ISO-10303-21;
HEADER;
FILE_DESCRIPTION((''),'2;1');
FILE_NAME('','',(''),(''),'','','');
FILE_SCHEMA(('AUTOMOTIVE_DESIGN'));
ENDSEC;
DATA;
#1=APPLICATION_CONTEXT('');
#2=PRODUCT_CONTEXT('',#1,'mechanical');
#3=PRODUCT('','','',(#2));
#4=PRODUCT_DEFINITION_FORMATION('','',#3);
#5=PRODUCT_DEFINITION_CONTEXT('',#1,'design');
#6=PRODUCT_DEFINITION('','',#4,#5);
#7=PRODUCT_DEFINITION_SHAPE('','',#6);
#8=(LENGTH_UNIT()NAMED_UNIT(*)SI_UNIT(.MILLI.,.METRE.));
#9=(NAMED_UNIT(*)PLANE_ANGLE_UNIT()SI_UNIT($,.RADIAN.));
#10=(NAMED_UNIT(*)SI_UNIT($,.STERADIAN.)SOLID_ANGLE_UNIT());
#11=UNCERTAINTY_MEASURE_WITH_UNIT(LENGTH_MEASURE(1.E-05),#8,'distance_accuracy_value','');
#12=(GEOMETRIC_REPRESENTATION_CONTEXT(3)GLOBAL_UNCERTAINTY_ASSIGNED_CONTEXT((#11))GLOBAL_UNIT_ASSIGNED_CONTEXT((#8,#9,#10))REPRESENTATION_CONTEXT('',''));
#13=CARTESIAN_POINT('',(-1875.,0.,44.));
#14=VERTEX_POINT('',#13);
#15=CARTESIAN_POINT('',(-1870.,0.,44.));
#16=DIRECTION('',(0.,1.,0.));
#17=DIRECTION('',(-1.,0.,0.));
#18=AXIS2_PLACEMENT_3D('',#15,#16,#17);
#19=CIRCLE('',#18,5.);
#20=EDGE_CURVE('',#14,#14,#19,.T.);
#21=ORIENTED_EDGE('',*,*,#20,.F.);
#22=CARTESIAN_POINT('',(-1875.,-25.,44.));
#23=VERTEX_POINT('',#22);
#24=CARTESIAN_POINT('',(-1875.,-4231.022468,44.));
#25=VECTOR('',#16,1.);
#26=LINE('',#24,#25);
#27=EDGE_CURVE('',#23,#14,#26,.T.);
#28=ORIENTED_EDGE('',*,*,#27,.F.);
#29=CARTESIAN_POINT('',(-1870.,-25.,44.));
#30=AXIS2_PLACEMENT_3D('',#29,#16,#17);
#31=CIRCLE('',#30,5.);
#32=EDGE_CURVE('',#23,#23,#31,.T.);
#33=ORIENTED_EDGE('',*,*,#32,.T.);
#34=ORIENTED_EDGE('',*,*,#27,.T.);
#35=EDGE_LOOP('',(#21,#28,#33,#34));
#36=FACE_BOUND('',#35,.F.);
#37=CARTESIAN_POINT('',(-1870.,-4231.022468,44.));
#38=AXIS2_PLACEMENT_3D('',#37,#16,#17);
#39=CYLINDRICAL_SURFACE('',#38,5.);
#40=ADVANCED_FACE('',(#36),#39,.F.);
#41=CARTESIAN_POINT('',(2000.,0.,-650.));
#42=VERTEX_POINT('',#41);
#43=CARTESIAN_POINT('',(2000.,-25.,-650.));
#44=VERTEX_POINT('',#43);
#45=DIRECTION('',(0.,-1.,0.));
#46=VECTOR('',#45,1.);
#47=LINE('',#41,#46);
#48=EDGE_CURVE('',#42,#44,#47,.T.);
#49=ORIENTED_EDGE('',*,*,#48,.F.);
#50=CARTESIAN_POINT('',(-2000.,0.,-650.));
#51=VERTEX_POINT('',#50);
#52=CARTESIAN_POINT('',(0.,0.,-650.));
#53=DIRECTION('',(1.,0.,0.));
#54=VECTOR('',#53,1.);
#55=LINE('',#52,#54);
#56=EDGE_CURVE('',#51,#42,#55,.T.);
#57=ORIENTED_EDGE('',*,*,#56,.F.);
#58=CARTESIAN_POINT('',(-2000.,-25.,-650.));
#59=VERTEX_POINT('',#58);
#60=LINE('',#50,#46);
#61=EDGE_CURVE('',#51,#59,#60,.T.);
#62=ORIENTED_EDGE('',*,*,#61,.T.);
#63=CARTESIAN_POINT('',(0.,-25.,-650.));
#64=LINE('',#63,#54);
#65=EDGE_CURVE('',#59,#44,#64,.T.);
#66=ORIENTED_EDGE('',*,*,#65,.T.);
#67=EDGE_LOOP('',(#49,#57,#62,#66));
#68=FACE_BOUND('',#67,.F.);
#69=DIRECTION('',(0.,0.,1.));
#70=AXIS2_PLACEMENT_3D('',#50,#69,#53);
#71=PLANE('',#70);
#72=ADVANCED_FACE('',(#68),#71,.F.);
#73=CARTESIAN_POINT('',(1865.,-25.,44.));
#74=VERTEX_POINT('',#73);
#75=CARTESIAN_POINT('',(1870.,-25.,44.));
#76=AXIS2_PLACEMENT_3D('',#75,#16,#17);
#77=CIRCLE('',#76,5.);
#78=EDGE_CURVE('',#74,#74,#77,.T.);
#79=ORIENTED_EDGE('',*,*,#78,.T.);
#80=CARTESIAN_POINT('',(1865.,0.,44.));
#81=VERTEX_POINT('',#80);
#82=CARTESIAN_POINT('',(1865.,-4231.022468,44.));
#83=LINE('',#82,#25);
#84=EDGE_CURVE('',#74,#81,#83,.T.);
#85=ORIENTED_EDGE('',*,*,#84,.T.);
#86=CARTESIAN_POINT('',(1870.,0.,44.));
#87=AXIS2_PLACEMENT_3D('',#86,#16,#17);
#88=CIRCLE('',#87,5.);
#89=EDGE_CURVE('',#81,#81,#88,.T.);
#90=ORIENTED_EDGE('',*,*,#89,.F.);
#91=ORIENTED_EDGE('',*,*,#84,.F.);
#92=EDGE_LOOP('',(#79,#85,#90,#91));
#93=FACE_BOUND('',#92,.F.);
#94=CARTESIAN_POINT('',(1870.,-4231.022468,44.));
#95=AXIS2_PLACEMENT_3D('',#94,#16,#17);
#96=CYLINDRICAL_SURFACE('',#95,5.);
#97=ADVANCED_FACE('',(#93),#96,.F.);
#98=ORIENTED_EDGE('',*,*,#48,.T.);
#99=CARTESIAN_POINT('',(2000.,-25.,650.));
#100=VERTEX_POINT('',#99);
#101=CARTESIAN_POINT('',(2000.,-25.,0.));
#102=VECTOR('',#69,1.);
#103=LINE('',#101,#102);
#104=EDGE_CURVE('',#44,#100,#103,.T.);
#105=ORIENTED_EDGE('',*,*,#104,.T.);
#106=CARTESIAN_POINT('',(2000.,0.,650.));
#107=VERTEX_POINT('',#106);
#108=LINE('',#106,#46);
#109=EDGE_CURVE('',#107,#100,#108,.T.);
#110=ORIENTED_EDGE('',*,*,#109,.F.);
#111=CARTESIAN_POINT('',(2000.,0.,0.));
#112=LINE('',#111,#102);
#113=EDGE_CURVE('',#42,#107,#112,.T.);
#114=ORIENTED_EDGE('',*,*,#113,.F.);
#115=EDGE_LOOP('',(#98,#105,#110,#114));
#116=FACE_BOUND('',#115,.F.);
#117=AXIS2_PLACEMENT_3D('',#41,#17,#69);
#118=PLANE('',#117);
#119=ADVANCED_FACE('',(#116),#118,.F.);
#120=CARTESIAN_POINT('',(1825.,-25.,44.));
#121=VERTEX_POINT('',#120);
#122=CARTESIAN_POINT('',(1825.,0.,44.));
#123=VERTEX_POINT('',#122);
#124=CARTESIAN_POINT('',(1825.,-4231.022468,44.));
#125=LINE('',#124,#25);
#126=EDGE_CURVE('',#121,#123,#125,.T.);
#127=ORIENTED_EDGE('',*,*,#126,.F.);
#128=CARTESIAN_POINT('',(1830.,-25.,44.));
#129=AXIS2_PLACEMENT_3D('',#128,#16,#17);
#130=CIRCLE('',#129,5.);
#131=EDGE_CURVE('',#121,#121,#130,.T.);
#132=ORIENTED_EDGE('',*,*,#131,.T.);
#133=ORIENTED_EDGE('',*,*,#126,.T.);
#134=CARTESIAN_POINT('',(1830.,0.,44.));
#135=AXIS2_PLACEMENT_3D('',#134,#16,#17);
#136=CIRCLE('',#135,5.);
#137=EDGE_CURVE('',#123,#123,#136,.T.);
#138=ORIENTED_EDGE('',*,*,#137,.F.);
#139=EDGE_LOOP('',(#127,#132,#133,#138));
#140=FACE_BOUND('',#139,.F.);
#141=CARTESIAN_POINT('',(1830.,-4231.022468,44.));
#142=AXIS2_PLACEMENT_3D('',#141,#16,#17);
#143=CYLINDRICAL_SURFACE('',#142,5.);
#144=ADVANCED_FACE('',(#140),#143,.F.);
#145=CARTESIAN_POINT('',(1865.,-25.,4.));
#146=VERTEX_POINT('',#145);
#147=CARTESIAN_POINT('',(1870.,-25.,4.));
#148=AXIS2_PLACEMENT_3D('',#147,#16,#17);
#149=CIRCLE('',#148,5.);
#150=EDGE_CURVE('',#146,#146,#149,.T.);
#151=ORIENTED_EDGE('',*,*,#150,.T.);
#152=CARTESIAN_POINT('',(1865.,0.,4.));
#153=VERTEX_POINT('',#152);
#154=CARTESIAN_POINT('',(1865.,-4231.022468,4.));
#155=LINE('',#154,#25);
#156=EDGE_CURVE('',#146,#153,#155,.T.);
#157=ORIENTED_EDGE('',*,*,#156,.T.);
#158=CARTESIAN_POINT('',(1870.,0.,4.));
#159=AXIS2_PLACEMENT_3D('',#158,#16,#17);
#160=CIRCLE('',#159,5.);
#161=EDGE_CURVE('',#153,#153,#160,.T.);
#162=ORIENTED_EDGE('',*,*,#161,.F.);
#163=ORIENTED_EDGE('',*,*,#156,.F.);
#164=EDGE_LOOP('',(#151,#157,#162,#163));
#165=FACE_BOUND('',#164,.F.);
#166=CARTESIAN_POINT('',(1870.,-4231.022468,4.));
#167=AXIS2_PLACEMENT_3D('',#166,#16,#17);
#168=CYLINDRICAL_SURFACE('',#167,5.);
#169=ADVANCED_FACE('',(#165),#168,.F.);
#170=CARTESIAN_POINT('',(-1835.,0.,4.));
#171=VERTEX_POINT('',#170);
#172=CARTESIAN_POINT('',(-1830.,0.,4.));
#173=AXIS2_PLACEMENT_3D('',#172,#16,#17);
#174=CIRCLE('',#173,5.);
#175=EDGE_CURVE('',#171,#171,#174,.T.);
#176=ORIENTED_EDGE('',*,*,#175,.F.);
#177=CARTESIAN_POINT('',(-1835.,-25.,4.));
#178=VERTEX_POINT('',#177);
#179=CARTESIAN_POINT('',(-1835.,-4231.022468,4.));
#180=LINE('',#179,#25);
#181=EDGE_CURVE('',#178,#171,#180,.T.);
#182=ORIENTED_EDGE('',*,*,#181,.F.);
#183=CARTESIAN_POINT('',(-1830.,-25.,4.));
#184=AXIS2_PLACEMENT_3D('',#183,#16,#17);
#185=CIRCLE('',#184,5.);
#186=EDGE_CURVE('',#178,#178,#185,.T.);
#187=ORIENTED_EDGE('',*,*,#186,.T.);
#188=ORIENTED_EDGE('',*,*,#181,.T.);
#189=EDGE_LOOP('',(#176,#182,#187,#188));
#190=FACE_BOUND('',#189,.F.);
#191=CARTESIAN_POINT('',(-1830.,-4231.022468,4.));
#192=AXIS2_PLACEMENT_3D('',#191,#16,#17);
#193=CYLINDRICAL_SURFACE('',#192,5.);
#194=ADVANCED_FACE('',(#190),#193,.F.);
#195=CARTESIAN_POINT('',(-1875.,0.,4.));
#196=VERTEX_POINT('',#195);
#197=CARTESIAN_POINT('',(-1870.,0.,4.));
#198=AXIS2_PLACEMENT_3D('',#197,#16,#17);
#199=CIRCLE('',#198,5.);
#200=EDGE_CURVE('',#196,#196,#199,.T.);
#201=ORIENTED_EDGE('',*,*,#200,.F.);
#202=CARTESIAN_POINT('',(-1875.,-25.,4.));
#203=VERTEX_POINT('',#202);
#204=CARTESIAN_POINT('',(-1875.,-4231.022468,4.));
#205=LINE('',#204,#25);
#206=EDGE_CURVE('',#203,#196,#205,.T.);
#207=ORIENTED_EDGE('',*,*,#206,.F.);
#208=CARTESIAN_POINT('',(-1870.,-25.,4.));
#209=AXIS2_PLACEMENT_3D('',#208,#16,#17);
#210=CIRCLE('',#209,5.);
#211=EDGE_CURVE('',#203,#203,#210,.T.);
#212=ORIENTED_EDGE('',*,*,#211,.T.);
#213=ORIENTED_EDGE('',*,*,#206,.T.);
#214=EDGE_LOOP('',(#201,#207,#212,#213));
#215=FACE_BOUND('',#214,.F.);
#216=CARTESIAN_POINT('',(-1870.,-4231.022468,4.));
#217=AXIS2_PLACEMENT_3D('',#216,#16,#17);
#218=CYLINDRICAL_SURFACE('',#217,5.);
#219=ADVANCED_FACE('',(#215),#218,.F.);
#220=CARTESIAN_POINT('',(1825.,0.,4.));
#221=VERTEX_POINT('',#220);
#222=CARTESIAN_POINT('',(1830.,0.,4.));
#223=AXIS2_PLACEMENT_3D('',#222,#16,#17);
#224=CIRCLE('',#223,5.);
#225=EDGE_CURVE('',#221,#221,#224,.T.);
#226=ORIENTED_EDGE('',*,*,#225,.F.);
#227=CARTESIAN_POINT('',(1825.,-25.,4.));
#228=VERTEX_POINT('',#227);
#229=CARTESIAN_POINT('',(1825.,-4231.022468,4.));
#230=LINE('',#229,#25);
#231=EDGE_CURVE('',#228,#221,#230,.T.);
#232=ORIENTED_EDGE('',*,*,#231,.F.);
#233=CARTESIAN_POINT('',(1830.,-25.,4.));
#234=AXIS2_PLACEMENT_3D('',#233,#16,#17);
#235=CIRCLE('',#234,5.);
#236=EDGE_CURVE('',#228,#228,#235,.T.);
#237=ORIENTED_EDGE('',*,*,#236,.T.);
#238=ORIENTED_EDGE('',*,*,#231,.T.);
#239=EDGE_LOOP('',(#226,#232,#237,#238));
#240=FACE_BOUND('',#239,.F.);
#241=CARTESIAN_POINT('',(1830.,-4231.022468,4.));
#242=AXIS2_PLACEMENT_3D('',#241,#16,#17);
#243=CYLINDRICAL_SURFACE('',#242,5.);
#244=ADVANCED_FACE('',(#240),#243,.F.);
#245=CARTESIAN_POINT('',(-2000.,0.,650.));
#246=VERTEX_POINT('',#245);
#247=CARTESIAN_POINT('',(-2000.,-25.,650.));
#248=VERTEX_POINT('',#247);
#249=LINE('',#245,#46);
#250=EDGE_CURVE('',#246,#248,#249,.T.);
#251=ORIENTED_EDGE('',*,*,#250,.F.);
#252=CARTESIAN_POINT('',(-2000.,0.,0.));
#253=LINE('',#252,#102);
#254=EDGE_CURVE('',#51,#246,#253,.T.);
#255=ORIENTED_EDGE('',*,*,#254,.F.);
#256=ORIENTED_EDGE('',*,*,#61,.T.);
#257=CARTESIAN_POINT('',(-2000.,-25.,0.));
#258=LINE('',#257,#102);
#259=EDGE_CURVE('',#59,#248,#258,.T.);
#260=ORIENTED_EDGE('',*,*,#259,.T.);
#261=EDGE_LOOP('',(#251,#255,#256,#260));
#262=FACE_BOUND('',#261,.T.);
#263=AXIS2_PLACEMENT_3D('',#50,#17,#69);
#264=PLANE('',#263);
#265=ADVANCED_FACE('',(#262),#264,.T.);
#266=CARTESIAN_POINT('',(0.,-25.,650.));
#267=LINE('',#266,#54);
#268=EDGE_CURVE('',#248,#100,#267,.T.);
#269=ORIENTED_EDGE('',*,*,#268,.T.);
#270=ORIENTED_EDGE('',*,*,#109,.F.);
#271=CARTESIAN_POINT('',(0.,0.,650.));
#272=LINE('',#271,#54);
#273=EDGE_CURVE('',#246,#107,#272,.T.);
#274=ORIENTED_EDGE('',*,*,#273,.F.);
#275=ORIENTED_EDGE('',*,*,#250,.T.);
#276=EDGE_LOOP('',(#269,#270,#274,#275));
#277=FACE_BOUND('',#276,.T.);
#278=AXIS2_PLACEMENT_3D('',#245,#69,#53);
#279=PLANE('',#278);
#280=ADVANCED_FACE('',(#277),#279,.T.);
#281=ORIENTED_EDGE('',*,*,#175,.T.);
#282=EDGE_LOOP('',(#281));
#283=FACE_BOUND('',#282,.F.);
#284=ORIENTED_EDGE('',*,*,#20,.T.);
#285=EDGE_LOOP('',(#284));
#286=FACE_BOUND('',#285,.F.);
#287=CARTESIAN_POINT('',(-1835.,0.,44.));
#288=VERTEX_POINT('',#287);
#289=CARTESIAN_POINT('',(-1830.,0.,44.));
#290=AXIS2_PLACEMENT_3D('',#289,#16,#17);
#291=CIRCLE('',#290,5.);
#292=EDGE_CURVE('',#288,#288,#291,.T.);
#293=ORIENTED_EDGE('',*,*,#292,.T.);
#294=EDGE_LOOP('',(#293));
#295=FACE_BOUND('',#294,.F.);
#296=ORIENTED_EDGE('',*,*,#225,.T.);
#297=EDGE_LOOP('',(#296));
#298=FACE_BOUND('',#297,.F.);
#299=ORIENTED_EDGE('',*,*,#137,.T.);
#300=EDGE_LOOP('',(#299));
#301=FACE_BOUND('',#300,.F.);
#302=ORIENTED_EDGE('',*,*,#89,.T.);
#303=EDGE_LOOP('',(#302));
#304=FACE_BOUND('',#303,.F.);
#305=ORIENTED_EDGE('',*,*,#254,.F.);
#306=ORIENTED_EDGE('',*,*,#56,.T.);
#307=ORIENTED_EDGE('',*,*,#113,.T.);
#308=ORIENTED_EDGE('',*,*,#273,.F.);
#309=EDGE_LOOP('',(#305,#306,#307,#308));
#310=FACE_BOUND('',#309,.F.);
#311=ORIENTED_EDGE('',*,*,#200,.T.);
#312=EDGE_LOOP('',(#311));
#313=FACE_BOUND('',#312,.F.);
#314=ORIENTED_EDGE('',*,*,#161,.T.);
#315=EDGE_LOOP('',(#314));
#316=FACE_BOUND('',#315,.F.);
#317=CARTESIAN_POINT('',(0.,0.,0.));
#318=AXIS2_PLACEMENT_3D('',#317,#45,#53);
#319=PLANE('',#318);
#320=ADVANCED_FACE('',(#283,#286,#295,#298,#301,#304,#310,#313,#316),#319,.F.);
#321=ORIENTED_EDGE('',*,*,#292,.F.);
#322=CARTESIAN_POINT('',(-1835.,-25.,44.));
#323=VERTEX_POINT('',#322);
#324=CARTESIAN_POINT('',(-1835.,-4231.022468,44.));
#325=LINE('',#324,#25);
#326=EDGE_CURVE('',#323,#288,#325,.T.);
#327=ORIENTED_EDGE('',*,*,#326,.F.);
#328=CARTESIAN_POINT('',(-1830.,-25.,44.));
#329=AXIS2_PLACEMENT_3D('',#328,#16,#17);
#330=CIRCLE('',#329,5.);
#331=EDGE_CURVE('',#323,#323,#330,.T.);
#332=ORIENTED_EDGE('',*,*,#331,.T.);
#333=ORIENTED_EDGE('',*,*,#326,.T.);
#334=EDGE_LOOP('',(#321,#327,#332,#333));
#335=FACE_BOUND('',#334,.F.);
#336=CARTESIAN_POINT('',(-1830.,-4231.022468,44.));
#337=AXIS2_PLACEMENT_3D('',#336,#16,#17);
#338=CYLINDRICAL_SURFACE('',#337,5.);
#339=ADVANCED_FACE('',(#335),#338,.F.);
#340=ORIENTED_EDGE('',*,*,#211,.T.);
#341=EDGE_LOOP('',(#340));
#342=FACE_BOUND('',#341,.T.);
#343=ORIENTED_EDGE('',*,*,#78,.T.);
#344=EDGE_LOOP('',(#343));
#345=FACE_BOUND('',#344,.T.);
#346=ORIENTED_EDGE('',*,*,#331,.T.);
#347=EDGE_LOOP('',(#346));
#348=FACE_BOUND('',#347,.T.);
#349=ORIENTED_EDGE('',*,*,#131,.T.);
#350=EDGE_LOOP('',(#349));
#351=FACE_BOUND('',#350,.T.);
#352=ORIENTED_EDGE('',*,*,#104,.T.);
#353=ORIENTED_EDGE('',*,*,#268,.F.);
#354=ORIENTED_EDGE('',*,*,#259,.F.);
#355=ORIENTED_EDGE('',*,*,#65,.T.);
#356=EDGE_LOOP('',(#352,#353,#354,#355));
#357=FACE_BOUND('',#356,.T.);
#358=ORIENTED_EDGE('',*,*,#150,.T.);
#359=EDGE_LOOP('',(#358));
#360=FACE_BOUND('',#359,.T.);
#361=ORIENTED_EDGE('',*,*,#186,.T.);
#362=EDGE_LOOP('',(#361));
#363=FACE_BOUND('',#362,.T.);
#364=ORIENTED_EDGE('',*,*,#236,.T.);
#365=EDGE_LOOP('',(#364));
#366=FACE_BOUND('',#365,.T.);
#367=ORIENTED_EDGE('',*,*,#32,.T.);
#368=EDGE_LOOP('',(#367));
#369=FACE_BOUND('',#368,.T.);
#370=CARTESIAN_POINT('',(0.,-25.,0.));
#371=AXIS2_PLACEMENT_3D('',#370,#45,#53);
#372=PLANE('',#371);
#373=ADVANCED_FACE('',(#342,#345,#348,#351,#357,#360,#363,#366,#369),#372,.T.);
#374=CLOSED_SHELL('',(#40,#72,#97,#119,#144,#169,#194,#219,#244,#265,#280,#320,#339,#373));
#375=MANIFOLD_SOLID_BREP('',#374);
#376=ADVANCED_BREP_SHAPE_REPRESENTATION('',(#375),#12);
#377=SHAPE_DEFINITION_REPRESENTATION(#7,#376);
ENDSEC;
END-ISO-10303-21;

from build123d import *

# Parameters (mm, degrees)
F0_W     = 4000
F0_H     = 1300
F1_DEPTH = 25
F3_D     = 10
F4_D     = 10


with BuildPart() as f1:
    # F0 (on Front) → F1 (new body)
    with BuildSketch(Plane.XZ):
        Rectangle(F0_W, F0_H)
    extrude(amount=F1_DEPTH)

    # F3 (through all)
    with Locations(Plane.XZ.offset(25)):
        with Locations((-1870, 44), (-1830, 44), (-1830, 4), (-1870, 4)):
            Hole(F3_D / 2)

    # F4 (through all)
    with Locations(Plane.XZ.offset(25)):
        with Locations((1830, 44), (1870, 44), (1870, 4), (1830, 4)):
            Hole(F4_D / 2)


solid = f1.part
